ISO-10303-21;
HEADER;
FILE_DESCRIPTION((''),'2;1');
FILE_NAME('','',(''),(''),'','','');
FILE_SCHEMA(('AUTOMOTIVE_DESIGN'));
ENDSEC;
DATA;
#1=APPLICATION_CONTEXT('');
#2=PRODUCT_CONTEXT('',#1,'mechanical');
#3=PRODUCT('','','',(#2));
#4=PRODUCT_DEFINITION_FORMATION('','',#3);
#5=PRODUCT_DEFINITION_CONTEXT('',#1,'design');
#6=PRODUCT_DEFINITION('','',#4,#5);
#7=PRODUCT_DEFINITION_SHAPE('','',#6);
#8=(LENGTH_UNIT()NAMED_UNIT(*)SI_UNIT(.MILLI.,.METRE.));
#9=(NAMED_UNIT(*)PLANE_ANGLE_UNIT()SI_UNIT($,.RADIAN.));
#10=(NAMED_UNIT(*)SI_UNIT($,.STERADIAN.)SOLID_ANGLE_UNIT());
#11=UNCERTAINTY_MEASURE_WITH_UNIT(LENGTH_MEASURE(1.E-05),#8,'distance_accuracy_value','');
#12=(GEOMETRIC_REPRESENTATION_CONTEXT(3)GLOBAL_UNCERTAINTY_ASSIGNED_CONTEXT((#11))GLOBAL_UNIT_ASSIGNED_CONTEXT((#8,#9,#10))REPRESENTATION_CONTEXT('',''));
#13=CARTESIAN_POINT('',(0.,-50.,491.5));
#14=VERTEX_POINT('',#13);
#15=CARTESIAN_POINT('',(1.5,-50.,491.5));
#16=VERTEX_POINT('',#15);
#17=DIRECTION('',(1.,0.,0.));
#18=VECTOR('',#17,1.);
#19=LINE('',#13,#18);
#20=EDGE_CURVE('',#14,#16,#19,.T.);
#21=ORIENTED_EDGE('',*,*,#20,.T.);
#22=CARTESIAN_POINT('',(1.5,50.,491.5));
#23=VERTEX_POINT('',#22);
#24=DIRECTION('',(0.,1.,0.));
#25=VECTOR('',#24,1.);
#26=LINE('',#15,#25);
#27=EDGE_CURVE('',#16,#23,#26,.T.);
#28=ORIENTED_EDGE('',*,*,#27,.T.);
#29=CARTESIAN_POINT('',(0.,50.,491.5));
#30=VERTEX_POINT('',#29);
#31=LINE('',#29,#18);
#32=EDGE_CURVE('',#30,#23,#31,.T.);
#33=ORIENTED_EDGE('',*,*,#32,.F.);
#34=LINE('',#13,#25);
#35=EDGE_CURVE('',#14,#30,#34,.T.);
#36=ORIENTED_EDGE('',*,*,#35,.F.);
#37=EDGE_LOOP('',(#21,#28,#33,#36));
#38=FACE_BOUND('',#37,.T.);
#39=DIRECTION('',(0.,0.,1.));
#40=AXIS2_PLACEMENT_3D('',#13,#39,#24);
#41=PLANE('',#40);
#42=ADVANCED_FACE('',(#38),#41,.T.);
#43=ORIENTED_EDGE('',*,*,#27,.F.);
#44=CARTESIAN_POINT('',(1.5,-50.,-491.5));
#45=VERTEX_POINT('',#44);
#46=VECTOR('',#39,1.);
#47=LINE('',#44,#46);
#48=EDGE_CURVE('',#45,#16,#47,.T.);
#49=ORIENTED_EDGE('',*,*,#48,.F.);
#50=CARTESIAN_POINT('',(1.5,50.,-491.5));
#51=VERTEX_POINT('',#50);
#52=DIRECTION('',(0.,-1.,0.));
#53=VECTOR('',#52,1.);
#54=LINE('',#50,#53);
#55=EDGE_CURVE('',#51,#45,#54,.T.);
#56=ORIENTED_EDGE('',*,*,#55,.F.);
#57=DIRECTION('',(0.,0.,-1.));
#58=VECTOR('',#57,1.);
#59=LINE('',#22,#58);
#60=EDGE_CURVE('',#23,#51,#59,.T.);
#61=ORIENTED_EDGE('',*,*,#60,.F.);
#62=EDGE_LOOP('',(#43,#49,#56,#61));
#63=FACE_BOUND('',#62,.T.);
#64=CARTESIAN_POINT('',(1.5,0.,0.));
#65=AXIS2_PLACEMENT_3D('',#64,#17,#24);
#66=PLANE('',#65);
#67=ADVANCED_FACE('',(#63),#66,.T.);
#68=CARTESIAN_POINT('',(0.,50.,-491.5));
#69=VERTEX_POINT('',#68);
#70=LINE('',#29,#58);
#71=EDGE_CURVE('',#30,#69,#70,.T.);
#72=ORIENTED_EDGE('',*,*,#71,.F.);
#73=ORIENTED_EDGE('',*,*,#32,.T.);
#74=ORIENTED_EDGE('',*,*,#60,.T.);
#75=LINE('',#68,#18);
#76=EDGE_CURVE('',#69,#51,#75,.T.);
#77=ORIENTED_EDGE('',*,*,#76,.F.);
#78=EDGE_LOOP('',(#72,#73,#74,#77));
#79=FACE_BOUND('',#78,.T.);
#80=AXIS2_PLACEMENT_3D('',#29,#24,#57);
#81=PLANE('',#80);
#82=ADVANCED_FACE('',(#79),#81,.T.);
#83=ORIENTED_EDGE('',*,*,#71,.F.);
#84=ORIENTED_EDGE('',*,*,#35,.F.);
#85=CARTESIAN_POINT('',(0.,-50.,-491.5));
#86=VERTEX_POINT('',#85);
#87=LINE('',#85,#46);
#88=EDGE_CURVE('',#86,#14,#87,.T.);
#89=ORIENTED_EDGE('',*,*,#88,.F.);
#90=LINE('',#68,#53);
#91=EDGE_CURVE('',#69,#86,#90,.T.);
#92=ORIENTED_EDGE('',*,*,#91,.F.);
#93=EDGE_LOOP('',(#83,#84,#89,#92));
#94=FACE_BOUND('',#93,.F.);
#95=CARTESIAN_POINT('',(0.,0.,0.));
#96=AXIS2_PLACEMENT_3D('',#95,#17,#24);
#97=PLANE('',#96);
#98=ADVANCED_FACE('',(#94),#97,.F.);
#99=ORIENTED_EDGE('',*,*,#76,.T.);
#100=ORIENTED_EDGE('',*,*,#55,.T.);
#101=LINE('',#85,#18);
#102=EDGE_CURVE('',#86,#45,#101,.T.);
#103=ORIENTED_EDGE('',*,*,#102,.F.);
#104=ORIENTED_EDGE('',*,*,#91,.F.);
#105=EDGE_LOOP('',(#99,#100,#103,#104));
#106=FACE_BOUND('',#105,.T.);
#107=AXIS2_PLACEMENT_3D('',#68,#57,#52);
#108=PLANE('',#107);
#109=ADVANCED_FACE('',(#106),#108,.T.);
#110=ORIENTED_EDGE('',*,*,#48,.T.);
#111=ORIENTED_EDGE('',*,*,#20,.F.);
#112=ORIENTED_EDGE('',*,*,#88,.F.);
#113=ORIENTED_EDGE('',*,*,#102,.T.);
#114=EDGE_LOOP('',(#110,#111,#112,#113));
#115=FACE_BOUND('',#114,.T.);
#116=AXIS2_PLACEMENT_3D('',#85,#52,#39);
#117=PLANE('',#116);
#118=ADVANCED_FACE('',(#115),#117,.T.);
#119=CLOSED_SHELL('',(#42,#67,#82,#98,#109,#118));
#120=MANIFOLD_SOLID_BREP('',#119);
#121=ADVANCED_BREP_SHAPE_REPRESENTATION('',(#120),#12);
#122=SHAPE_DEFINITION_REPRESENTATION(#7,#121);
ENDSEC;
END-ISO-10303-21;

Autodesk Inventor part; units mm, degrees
ref_plane "YZ Plane" through (0, 0, 0) normal (1, 0, 0) x (0, 1, 0)
ref_plane "XZ Plane" through (0, 0, 0) normal (0, 1, 0) x (-1, 0, 0)
ref_plane "XY Plane" through (0, 0, 0) normal (0, 0, 1) x (1, 0, 0)
sketch "Sketch1" plane through (0, 0, 0) normal (1, 0, 0) x (0, 1, 0)
  line L0 (-50, 491.5) -> (50, 491.5)
  line L1 (50, 491.5) -> (50, -491.5)
  line L2 (50, -491.5) -> (-50, -491.5)
  line L3 (-50, -491.5) -> (-50, 491.5)
  line L4 (-50, 491.5) -> (50, -491.5) construction
  line L5 (50, 491.5) -> (-50, -491.5) construction
  point P0 (0, 0)
  dimension "d0" = 100
  dimension "d1" = 983
extrude "Extrusion1" add sketch "Sketch1" along normal blind 1.5
properties part number "AUX_4" material "Steel, Mild, Welded"
